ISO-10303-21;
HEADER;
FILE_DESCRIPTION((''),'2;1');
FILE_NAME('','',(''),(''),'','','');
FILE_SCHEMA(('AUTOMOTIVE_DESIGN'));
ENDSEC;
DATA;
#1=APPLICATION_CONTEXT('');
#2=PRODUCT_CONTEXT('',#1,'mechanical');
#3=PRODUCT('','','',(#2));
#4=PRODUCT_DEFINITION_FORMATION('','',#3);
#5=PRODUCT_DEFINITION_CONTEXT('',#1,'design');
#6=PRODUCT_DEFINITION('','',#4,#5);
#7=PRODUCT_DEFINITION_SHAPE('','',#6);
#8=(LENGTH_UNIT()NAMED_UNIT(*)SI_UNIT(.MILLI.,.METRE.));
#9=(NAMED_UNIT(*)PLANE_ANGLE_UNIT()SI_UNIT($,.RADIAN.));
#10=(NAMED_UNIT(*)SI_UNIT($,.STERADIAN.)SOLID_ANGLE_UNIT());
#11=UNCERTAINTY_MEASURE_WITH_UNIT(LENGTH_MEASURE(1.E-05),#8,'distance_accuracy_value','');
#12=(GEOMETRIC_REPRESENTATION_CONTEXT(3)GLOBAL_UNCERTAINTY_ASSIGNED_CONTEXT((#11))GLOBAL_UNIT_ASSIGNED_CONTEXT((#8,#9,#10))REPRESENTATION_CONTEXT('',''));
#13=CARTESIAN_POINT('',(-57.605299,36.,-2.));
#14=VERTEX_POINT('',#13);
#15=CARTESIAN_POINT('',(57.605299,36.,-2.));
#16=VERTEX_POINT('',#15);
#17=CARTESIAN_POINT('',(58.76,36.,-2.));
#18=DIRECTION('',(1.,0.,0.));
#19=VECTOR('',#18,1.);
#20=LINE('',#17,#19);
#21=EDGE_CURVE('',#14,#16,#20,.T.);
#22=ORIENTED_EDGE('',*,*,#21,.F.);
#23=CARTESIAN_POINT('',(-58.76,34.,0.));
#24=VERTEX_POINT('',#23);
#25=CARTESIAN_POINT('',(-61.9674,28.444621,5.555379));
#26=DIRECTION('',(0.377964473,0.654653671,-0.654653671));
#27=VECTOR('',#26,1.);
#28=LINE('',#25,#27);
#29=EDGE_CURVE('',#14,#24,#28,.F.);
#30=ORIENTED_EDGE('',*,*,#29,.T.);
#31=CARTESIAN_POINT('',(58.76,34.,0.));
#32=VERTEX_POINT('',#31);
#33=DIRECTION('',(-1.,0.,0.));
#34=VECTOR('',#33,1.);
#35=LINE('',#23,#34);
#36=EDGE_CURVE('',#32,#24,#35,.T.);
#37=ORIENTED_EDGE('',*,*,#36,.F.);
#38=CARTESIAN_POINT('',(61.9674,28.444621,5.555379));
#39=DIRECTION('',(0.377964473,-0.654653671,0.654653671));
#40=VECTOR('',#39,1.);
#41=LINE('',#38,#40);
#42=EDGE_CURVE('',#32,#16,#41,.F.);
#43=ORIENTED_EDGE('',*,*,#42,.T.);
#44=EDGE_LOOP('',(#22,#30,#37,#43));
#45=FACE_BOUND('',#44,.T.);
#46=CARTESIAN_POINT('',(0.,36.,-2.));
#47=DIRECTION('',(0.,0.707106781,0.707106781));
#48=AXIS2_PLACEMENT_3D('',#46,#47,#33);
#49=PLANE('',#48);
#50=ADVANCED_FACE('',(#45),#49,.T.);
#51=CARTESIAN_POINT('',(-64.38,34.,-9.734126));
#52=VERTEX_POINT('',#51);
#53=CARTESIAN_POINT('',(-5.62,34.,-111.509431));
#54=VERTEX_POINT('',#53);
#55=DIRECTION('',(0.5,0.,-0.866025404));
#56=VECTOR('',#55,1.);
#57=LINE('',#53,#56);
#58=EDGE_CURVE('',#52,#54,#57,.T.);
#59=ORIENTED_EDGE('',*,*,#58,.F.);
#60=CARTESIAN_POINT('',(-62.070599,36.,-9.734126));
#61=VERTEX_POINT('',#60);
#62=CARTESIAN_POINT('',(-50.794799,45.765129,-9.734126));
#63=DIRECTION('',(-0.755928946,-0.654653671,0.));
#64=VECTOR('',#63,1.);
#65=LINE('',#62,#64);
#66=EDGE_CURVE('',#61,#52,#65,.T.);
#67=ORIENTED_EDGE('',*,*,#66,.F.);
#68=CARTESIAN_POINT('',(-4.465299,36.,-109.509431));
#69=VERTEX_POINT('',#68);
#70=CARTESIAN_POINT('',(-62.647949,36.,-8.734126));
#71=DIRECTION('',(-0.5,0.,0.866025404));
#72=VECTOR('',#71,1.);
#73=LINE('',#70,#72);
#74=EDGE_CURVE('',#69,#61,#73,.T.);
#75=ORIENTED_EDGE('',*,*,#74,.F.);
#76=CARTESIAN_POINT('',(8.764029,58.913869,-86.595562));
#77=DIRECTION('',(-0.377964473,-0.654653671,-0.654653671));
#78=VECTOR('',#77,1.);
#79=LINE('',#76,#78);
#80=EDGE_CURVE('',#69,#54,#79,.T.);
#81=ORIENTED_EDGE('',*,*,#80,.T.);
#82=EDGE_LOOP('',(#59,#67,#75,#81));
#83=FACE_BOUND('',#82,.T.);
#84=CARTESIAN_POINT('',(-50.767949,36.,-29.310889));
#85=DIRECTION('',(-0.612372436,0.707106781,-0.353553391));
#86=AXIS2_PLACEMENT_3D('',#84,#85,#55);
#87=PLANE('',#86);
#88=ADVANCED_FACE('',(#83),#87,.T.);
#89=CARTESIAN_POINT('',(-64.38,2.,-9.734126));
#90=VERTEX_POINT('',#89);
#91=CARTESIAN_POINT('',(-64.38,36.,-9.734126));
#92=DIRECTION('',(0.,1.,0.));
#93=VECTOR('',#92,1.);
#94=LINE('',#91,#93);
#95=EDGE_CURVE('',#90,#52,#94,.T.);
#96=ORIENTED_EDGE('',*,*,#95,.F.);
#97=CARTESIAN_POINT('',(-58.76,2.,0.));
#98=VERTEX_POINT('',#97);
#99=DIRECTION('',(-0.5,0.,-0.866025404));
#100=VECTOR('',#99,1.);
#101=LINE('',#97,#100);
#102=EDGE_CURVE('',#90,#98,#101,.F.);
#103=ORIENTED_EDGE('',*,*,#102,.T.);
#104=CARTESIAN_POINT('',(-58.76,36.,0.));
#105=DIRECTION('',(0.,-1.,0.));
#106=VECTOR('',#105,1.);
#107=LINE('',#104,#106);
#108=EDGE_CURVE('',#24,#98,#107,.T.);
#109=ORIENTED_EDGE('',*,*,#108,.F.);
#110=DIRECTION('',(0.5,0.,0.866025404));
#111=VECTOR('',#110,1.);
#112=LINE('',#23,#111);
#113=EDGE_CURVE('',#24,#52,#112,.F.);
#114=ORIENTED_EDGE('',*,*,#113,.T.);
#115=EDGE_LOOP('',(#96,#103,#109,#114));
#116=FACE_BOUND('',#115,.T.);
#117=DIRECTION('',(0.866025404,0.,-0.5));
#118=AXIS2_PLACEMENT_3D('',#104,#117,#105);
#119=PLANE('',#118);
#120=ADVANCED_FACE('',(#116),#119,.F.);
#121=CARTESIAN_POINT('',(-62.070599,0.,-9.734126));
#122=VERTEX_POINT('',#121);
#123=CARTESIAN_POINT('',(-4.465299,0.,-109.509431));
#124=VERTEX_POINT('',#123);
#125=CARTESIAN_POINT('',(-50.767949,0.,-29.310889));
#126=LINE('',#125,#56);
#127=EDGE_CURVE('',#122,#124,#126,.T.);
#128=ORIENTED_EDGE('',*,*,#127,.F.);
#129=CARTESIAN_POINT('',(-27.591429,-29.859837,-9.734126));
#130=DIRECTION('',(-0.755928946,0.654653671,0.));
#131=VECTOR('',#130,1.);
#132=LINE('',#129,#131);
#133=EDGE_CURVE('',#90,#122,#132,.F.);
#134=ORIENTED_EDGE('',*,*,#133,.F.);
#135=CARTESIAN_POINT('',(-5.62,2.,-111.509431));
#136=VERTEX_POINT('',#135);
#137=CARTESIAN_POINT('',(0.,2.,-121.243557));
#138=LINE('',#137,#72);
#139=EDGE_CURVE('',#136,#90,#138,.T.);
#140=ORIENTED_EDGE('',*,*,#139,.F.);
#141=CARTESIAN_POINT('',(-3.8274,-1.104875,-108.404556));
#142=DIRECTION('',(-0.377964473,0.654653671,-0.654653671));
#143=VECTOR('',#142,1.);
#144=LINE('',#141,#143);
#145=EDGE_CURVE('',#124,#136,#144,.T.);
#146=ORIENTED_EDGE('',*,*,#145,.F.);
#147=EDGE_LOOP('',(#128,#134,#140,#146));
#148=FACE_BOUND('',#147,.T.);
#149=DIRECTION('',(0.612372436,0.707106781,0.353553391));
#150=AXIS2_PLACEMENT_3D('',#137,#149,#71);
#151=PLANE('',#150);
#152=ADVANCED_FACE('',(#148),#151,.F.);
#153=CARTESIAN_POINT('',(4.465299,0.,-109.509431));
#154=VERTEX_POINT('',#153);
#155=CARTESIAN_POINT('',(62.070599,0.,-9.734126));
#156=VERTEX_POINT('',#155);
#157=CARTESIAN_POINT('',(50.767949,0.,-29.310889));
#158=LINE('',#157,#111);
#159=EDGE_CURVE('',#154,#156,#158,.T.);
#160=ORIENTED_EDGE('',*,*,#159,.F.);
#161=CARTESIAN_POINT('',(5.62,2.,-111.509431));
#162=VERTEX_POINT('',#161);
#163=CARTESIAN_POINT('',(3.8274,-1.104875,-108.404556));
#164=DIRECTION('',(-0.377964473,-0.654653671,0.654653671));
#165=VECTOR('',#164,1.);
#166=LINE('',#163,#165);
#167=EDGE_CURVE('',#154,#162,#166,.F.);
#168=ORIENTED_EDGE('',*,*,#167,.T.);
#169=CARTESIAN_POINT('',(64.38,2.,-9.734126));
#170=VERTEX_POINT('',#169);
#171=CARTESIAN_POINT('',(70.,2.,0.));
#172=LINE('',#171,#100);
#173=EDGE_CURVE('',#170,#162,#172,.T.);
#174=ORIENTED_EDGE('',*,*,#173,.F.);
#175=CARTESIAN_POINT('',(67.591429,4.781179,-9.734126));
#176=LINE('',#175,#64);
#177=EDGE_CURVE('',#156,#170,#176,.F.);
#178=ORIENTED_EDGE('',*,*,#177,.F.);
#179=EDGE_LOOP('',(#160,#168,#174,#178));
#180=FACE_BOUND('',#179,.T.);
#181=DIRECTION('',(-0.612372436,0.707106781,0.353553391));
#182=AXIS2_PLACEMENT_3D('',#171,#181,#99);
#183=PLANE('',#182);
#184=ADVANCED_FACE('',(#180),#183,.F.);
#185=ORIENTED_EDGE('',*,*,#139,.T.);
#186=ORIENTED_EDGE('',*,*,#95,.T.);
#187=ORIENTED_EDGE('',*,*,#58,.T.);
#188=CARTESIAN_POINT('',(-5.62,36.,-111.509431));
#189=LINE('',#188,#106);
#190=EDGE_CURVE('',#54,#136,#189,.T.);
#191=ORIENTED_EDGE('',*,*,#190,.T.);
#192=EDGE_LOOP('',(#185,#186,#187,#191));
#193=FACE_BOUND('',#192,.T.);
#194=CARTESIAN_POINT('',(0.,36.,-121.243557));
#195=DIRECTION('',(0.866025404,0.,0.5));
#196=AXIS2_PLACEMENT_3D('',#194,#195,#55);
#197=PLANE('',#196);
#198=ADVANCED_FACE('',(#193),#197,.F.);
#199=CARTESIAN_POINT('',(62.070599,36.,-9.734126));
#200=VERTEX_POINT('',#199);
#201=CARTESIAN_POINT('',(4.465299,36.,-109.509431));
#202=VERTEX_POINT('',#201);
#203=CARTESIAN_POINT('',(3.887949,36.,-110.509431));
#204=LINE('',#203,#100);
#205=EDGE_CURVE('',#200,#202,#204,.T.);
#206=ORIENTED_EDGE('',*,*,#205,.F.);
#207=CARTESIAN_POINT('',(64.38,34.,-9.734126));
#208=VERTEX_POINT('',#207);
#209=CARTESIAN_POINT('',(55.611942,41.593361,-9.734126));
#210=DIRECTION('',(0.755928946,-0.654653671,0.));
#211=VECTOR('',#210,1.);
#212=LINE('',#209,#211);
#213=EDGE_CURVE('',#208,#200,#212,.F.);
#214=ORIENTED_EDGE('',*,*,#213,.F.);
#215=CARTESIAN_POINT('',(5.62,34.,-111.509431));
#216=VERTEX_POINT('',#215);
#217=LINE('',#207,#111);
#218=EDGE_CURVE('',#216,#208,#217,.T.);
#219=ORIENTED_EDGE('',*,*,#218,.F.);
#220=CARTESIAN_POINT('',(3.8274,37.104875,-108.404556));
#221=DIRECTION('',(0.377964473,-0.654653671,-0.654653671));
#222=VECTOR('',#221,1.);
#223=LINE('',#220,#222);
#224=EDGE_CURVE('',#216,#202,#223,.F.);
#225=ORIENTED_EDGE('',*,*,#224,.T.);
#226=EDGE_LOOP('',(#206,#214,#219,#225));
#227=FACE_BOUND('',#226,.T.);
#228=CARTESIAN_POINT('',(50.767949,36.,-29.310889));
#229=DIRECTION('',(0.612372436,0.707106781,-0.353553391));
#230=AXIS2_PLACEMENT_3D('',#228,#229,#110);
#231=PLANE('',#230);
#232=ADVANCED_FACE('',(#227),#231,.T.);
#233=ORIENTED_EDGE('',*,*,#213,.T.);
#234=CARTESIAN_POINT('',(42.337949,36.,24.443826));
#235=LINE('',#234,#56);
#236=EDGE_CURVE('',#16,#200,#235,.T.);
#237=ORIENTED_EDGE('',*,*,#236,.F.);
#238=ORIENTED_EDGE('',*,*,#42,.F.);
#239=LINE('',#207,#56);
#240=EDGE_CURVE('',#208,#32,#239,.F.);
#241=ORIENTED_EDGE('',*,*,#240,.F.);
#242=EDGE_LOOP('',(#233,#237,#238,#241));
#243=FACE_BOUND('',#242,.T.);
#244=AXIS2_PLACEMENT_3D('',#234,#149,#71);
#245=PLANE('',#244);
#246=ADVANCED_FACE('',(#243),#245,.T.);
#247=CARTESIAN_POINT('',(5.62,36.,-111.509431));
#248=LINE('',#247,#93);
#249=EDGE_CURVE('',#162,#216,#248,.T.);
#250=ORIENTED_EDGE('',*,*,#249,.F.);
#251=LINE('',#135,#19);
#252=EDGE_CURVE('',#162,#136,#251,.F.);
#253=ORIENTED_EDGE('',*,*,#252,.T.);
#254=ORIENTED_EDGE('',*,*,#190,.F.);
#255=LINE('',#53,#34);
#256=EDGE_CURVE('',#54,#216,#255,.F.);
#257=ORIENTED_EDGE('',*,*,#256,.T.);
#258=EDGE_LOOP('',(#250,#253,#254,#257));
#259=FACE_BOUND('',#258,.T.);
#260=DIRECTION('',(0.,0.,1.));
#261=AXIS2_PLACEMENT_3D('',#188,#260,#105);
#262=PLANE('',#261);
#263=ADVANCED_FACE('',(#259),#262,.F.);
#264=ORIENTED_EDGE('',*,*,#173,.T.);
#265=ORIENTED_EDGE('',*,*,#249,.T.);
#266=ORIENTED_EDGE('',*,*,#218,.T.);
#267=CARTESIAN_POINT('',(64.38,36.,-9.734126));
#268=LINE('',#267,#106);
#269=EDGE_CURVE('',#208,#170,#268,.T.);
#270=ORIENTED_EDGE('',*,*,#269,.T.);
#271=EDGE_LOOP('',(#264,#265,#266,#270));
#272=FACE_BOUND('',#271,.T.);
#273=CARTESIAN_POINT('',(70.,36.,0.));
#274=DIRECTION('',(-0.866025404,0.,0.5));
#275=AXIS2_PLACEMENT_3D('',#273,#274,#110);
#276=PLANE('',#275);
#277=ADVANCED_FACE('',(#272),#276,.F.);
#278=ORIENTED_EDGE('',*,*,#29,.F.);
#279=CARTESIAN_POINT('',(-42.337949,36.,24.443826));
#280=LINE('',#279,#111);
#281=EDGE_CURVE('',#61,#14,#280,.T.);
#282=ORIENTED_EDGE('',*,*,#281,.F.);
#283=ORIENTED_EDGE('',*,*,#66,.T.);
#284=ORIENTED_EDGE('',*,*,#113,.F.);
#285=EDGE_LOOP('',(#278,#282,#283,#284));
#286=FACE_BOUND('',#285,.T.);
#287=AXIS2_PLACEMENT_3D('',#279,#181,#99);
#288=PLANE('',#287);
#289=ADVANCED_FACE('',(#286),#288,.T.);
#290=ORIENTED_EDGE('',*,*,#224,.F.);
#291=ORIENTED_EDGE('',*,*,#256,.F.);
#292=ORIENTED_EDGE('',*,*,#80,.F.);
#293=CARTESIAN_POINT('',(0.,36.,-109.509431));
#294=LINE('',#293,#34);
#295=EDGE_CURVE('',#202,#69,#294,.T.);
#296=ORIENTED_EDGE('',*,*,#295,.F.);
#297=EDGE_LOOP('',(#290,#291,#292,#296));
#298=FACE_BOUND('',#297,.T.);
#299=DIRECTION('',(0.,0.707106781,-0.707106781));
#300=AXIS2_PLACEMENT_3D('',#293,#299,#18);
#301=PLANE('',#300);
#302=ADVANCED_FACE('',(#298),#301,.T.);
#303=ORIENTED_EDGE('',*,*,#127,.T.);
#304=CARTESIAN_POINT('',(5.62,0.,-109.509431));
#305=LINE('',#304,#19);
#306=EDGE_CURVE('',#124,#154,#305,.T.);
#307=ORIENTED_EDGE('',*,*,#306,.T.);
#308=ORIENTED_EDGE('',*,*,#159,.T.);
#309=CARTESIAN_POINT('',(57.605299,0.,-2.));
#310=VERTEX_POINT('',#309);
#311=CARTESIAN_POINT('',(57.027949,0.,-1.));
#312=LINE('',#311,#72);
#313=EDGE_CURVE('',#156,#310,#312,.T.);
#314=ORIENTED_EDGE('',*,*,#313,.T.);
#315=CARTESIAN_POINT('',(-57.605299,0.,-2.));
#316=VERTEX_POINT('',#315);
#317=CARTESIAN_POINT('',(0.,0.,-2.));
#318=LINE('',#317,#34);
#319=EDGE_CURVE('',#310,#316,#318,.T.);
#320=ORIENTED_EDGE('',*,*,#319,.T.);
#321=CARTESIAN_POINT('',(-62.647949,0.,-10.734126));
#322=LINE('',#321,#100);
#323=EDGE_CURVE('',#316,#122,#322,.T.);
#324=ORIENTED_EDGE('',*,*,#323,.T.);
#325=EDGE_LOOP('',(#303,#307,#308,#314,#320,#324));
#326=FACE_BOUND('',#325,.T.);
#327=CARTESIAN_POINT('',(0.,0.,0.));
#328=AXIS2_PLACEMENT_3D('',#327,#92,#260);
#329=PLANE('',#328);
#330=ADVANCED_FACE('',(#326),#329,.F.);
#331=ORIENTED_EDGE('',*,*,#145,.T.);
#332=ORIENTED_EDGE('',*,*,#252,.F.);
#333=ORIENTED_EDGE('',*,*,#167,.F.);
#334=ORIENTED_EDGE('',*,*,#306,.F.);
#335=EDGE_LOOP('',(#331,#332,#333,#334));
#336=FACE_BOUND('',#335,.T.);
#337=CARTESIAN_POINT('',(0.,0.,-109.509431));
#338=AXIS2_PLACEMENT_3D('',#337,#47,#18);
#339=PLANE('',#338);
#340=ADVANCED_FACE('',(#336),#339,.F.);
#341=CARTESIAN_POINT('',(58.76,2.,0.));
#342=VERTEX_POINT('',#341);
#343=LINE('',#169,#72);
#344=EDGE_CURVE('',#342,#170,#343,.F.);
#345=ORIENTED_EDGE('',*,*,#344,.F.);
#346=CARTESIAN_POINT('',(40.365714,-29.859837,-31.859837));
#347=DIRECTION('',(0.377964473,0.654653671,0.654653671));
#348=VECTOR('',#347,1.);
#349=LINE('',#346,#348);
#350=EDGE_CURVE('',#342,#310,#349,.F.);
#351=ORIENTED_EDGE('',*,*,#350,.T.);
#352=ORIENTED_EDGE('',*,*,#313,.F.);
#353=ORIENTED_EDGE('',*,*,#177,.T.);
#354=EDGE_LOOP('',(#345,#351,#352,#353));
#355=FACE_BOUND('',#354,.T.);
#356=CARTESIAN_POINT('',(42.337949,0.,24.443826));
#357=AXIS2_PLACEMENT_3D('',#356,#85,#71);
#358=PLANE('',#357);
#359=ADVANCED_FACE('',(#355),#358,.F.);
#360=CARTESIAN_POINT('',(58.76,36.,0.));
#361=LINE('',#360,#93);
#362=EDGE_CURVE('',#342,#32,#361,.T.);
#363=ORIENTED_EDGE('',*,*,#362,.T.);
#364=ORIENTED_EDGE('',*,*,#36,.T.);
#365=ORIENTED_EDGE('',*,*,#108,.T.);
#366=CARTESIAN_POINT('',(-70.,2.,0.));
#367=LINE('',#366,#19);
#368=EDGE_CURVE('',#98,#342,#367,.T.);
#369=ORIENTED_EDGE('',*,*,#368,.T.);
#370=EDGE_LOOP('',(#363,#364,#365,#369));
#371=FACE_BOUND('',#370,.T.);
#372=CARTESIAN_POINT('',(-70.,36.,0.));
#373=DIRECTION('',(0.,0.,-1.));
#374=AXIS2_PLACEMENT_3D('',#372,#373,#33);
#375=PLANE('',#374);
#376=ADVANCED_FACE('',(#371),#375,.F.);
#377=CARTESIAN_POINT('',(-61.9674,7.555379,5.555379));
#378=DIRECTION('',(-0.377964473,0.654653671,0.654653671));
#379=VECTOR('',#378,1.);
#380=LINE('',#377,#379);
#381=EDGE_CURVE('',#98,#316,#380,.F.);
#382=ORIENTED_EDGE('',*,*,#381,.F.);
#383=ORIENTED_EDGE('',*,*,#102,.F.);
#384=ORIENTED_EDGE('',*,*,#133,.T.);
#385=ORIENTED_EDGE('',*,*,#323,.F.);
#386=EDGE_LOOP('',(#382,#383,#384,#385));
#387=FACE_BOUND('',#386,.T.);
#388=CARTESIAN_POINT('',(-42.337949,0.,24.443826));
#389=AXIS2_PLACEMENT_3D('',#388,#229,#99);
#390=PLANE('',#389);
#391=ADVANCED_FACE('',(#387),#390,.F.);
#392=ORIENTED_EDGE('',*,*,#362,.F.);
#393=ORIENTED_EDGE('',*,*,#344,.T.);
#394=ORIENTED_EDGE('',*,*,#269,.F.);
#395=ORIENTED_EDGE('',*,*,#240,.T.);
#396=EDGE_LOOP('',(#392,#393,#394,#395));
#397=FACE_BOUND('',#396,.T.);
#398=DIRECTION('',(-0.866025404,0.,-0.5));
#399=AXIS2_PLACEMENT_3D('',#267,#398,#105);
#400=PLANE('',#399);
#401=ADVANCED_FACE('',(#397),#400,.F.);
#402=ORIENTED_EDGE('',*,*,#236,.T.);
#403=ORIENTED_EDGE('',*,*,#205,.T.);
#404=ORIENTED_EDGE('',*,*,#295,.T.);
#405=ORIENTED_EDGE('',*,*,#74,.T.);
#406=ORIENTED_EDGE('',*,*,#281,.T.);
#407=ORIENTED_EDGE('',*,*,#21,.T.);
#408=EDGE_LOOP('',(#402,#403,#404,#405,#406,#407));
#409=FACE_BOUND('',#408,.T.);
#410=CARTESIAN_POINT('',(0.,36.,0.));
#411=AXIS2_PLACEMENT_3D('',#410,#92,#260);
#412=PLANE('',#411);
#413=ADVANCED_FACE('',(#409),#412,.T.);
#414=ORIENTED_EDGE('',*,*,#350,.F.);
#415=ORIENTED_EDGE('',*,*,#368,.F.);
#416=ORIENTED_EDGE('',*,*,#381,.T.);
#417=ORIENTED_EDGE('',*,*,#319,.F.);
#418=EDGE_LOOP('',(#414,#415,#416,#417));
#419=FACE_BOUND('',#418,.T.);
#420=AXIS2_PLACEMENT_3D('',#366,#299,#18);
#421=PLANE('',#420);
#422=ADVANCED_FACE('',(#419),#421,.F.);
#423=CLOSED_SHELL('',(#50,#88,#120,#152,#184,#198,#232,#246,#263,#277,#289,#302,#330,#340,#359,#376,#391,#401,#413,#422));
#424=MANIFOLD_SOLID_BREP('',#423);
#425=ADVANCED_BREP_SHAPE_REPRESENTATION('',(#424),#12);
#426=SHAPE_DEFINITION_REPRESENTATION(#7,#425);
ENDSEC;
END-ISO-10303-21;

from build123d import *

# Parameters (mm, degrees)
BOSS_EXTRU_1_DEPTH     = 36
CHANFREIN1_SIZE        = 11.24
CHANFREIN1_EDGE_2_SIZE = 11.24
CHANFREIN1_EDGE_3_SIZE = 11.24
CHANFREIN2_SIZE        = 2
CHANFREIN3_SIZE        = 2


with BuildPart() as part:
    # Esquisse1 → Boss.-Extru.1 (new body)
    with BuildSketch(Plane(origin=(0, 0, 0), x_dir=(1, 0, 0), z_dir=(0, 1, 0))):
        Polygon((-70, 0), (70, 0), (0, 121.24355653), align=None)
    extrude(amount=BOSS_EXTRU_1_DEPTH)

    # Chanfrein1
    chanfrein1_edges = [part.edges().sort_by_distance(p)[0] for p in [
        (70, 18, 0),
    ]]
    chamfer(chanfrein1_edges, length=CHANFREIN1_SIZE)

    # Chanfrein1 edge 2
    chanfrein1_edge_2_edges = [part.edges().sort_by_distance(p)[0] for p in [
        (-70, 18, 0),
    ]]
    chamfer(chanfrein1_edge_2_edges, length=CHANFREIN1_EDGE_2_SIZE)

    # Chanfrein1 edge 3
    chanfrein1_edge_3_edges = [part.edges().sort_by_distance(p)[0] for p in [
        (0, 18, -121.24355653),
    ]]
    chamfer(chanfrein1_edge_3_edges, length=CHANFREIN1_EDGE_3_SIZE)

    # Chanfrein2
    chanfrein2_edges = [part.edges().sort_by_distance(p)[0] for p in [
        (0, 36, 0),
        (-35, 36, -60.621778265),
        (35, 36, -60.621778265),
        (61.57, 36, -4.867062769),
        (0, 36, -111.509430991),
        (-61.57, 36, -4.867062769),
    ]]
    chamfer(chanfrein2_edges, length=CHANFREIN2_SIZE)

    # Chanfrein3
    chanfrein3_edges = [part.edges().sort_by_distance(p)[0] for p in [
        (0, 0, 0),
        (35, 0, -60.621778265),
        (-35, 0, -60.621778265),
        (61.57, 0, -4.867062769),
        (0, 0, -111.509430991),
        (-61.57, 0, -4.867062769),
    ]]
    chamfer(chanfrein3_edges, length=CHANFREIN3_SIZE)


solid = part.part
